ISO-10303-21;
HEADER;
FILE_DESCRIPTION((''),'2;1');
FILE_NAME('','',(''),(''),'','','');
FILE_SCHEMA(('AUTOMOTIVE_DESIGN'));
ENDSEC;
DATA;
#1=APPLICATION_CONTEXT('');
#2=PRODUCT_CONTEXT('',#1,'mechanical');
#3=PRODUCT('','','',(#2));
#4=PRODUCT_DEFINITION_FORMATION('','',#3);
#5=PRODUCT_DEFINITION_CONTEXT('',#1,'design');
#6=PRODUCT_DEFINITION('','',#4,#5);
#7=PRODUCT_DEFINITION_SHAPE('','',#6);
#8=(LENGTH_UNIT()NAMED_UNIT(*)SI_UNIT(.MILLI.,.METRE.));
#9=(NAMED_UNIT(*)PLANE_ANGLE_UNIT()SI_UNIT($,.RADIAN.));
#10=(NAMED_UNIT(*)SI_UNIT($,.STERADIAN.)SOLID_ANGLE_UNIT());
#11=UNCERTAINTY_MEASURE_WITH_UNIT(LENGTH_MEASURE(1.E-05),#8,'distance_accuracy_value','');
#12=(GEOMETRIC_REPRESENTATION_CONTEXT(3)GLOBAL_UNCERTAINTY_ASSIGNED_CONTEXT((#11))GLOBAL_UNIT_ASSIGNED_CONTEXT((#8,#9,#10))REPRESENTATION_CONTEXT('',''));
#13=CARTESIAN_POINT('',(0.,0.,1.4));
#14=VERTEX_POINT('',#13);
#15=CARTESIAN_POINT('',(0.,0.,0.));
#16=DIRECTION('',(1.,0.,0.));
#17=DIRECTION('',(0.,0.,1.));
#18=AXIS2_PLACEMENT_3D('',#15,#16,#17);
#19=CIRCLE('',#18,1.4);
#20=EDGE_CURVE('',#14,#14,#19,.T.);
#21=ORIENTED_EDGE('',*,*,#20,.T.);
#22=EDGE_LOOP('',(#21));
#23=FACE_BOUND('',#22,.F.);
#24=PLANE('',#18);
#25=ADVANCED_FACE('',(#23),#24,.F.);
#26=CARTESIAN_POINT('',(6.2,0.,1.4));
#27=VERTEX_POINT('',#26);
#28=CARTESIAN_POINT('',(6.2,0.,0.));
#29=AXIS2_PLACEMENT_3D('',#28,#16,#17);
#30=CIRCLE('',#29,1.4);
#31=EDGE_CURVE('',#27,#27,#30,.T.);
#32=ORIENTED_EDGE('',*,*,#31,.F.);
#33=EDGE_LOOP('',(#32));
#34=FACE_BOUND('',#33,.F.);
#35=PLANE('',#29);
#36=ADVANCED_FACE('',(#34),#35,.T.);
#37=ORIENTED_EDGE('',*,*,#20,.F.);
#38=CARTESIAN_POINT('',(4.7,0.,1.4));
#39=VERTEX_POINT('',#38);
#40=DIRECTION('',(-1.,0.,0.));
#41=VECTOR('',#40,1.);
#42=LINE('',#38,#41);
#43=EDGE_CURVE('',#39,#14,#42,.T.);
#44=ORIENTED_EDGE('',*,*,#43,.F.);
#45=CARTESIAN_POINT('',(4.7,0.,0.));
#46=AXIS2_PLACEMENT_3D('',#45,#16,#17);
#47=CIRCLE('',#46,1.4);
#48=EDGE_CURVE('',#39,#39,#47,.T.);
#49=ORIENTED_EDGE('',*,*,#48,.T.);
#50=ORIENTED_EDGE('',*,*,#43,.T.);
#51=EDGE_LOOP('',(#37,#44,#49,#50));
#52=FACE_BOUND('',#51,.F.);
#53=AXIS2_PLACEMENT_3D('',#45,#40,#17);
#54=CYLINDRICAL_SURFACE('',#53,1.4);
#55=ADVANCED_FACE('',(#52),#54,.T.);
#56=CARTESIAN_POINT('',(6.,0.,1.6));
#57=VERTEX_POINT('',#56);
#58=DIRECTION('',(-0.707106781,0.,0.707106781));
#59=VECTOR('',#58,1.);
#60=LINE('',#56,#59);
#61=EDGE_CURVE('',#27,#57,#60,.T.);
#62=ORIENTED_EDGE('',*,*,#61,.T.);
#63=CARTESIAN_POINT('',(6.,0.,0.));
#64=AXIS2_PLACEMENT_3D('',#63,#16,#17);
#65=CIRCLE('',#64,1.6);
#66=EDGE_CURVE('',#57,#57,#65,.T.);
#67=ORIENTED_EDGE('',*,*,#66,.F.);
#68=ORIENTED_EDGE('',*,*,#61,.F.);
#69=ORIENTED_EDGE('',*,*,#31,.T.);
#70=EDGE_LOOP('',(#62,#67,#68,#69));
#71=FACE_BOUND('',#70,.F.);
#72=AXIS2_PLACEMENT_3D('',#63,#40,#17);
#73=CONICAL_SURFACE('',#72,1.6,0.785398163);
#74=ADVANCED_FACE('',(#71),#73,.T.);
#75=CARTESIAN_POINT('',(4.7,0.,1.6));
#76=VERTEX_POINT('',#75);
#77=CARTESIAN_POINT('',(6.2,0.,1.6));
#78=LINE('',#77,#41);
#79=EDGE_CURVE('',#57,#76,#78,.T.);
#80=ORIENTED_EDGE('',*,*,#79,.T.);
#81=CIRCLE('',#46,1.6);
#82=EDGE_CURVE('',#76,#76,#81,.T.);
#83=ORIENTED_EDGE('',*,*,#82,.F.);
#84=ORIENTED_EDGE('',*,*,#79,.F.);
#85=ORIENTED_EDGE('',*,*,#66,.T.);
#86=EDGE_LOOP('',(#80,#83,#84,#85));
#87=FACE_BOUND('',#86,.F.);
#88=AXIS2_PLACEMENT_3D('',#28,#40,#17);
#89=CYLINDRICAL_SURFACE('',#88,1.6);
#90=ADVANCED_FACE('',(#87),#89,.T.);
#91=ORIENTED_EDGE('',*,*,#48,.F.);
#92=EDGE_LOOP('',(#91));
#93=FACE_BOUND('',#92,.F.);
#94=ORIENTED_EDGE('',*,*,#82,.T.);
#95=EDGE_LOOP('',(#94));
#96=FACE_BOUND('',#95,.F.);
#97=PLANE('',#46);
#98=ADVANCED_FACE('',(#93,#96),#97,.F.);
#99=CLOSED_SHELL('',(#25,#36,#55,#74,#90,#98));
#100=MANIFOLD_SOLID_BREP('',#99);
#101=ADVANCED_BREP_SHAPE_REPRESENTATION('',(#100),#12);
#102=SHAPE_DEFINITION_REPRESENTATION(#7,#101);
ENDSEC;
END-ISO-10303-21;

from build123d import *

# Parameters (mm, degrees)
CHAMFER_SIZE = 0.2


with BuildPart() as part:
    # Sketch → Revolution (revolve)
    with BuildSketch(Plane.XZ):
        Polygon((6.2, 0), (6.2, 1.6), (4.7, 1.6), (4.7, 1.4), (0, 1.4), (0, 0), align=None)
    revolve(axis=Axis((0, 0, 0), (1, 0, 0)))

    # Chamfer
    chamfer_edges = [part.edges().sort_by_distance(p)[0] for p in [
        (6.2, 0, -1.6),
    ]]
    chamfer(chamfer_edges, length=CHAMFER_SIZE)


solid = part.part
